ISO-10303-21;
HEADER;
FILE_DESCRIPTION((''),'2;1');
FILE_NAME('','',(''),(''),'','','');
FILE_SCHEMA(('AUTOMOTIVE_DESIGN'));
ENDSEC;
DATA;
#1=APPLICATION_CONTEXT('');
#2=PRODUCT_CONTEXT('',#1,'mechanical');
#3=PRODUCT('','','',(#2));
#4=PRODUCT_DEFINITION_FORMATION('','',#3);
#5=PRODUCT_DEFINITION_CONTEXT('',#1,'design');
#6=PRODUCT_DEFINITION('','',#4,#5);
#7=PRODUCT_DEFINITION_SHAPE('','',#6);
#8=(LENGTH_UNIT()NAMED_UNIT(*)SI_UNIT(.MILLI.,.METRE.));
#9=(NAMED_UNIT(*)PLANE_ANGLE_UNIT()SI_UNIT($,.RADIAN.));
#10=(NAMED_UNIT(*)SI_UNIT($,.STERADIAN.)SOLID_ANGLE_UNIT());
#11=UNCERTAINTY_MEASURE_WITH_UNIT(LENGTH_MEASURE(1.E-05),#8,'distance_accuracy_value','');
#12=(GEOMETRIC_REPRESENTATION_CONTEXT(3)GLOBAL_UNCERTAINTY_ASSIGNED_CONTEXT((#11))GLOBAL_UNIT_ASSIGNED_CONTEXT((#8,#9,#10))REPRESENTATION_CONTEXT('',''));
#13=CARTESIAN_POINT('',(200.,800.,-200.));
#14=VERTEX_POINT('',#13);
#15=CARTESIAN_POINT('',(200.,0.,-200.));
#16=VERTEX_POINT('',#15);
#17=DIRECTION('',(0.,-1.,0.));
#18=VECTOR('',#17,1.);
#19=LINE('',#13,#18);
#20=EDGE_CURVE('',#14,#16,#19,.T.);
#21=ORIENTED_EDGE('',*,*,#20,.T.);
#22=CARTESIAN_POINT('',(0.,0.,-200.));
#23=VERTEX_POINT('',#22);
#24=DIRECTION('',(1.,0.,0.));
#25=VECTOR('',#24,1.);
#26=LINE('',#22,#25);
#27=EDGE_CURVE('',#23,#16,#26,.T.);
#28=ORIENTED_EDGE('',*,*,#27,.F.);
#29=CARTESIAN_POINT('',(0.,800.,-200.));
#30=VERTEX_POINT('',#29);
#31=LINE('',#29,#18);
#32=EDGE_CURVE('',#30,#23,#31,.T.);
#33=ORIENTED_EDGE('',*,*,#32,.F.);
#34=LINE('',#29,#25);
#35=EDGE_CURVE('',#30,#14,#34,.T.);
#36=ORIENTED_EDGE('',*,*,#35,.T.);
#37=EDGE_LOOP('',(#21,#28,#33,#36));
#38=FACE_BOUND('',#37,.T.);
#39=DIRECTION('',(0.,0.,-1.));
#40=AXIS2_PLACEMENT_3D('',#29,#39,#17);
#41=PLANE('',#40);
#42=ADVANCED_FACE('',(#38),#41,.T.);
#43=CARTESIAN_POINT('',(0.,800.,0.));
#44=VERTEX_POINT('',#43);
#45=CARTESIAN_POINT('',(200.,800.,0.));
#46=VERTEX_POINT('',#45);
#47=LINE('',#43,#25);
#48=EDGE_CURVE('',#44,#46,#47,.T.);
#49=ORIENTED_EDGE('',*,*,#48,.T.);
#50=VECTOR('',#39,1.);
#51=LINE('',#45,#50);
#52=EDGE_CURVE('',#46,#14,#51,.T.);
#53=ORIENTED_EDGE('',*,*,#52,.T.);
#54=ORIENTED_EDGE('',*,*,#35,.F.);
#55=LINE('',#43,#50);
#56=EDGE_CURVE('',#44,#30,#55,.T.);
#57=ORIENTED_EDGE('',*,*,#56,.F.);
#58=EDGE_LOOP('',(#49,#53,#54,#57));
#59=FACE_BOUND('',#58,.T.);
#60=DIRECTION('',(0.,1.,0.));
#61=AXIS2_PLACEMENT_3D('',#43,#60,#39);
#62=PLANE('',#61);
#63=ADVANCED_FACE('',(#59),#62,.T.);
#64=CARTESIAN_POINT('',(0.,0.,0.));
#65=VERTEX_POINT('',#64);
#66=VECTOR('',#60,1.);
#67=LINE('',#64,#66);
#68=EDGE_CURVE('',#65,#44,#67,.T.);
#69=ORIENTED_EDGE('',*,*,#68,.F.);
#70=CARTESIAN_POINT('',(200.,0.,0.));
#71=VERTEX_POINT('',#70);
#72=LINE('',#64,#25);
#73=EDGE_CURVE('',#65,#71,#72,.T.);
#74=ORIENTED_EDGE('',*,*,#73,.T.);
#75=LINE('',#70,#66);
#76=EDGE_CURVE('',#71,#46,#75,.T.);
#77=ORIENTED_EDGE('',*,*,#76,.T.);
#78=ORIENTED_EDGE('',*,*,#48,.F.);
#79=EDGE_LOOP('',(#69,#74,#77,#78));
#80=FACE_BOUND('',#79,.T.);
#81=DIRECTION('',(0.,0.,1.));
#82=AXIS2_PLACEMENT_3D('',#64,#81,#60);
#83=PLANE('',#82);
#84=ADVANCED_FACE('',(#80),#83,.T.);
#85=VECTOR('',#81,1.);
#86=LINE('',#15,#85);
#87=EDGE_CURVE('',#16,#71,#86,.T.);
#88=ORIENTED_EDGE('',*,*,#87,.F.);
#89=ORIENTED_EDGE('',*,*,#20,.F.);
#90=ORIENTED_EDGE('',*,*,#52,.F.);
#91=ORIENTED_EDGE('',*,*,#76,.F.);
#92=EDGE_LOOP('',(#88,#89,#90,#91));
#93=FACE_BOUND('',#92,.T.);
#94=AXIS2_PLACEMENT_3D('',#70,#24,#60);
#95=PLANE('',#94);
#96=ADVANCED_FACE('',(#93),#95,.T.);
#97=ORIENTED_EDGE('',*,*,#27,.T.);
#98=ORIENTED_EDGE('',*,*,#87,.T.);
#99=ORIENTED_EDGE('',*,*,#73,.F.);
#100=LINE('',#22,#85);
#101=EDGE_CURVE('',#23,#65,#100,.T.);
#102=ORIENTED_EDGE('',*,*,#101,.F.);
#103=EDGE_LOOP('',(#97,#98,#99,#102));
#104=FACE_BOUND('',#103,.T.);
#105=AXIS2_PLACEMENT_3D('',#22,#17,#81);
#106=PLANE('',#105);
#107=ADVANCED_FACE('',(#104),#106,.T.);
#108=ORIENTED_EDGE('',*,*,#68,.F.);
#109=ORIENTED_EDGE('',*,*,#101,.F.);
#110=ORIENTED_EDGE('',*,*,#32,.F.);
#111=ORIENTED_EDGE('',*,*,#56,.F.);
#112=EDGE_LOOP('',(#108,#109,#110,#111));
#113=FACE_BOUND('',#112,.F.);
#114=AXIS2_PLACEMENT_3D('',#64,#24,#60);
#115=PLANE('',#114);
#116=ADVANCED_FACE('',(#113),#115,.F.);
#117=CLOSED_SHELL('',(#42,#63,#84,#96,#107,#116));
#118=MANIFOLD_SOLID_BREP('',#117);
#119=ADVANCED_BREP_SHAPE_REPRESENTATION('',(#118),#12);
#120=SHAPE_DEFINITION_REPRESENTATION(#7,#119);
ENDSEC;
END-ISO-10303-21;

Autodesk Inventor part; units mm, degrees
ref_plane "YZ Plane" through (0, 0, 0) normal (1, 0, 0) x (0, 1, 0)
ref_plane "XZ Plane" through (0, 0, 0) normal (0, 1, 0) x (-1, 0, 0)
ref_plane "XY Plane" through (0, 0, 0) normal (0, 0, 1) x (1, 0, 0)
sketch "Sketch1" plane through (0, 0, 0) normal (1, 0, 0) x (0, 1, 0)
  line L0 (0, 0) -> (800, 0)
  line L1 (800, 0) -> (800, -200)
  line L2 (800, -200) -> (0, -200)
  line L3 (0, -200) -> (0, 0)
  dimension "d0" = 800
  dimension "d1" = 200
extrude "Extrusion1" add sketch "Sketch1" along normal blind 200
properties part number "Short Horizontal for Cantilever" material "Stainless Steel"
